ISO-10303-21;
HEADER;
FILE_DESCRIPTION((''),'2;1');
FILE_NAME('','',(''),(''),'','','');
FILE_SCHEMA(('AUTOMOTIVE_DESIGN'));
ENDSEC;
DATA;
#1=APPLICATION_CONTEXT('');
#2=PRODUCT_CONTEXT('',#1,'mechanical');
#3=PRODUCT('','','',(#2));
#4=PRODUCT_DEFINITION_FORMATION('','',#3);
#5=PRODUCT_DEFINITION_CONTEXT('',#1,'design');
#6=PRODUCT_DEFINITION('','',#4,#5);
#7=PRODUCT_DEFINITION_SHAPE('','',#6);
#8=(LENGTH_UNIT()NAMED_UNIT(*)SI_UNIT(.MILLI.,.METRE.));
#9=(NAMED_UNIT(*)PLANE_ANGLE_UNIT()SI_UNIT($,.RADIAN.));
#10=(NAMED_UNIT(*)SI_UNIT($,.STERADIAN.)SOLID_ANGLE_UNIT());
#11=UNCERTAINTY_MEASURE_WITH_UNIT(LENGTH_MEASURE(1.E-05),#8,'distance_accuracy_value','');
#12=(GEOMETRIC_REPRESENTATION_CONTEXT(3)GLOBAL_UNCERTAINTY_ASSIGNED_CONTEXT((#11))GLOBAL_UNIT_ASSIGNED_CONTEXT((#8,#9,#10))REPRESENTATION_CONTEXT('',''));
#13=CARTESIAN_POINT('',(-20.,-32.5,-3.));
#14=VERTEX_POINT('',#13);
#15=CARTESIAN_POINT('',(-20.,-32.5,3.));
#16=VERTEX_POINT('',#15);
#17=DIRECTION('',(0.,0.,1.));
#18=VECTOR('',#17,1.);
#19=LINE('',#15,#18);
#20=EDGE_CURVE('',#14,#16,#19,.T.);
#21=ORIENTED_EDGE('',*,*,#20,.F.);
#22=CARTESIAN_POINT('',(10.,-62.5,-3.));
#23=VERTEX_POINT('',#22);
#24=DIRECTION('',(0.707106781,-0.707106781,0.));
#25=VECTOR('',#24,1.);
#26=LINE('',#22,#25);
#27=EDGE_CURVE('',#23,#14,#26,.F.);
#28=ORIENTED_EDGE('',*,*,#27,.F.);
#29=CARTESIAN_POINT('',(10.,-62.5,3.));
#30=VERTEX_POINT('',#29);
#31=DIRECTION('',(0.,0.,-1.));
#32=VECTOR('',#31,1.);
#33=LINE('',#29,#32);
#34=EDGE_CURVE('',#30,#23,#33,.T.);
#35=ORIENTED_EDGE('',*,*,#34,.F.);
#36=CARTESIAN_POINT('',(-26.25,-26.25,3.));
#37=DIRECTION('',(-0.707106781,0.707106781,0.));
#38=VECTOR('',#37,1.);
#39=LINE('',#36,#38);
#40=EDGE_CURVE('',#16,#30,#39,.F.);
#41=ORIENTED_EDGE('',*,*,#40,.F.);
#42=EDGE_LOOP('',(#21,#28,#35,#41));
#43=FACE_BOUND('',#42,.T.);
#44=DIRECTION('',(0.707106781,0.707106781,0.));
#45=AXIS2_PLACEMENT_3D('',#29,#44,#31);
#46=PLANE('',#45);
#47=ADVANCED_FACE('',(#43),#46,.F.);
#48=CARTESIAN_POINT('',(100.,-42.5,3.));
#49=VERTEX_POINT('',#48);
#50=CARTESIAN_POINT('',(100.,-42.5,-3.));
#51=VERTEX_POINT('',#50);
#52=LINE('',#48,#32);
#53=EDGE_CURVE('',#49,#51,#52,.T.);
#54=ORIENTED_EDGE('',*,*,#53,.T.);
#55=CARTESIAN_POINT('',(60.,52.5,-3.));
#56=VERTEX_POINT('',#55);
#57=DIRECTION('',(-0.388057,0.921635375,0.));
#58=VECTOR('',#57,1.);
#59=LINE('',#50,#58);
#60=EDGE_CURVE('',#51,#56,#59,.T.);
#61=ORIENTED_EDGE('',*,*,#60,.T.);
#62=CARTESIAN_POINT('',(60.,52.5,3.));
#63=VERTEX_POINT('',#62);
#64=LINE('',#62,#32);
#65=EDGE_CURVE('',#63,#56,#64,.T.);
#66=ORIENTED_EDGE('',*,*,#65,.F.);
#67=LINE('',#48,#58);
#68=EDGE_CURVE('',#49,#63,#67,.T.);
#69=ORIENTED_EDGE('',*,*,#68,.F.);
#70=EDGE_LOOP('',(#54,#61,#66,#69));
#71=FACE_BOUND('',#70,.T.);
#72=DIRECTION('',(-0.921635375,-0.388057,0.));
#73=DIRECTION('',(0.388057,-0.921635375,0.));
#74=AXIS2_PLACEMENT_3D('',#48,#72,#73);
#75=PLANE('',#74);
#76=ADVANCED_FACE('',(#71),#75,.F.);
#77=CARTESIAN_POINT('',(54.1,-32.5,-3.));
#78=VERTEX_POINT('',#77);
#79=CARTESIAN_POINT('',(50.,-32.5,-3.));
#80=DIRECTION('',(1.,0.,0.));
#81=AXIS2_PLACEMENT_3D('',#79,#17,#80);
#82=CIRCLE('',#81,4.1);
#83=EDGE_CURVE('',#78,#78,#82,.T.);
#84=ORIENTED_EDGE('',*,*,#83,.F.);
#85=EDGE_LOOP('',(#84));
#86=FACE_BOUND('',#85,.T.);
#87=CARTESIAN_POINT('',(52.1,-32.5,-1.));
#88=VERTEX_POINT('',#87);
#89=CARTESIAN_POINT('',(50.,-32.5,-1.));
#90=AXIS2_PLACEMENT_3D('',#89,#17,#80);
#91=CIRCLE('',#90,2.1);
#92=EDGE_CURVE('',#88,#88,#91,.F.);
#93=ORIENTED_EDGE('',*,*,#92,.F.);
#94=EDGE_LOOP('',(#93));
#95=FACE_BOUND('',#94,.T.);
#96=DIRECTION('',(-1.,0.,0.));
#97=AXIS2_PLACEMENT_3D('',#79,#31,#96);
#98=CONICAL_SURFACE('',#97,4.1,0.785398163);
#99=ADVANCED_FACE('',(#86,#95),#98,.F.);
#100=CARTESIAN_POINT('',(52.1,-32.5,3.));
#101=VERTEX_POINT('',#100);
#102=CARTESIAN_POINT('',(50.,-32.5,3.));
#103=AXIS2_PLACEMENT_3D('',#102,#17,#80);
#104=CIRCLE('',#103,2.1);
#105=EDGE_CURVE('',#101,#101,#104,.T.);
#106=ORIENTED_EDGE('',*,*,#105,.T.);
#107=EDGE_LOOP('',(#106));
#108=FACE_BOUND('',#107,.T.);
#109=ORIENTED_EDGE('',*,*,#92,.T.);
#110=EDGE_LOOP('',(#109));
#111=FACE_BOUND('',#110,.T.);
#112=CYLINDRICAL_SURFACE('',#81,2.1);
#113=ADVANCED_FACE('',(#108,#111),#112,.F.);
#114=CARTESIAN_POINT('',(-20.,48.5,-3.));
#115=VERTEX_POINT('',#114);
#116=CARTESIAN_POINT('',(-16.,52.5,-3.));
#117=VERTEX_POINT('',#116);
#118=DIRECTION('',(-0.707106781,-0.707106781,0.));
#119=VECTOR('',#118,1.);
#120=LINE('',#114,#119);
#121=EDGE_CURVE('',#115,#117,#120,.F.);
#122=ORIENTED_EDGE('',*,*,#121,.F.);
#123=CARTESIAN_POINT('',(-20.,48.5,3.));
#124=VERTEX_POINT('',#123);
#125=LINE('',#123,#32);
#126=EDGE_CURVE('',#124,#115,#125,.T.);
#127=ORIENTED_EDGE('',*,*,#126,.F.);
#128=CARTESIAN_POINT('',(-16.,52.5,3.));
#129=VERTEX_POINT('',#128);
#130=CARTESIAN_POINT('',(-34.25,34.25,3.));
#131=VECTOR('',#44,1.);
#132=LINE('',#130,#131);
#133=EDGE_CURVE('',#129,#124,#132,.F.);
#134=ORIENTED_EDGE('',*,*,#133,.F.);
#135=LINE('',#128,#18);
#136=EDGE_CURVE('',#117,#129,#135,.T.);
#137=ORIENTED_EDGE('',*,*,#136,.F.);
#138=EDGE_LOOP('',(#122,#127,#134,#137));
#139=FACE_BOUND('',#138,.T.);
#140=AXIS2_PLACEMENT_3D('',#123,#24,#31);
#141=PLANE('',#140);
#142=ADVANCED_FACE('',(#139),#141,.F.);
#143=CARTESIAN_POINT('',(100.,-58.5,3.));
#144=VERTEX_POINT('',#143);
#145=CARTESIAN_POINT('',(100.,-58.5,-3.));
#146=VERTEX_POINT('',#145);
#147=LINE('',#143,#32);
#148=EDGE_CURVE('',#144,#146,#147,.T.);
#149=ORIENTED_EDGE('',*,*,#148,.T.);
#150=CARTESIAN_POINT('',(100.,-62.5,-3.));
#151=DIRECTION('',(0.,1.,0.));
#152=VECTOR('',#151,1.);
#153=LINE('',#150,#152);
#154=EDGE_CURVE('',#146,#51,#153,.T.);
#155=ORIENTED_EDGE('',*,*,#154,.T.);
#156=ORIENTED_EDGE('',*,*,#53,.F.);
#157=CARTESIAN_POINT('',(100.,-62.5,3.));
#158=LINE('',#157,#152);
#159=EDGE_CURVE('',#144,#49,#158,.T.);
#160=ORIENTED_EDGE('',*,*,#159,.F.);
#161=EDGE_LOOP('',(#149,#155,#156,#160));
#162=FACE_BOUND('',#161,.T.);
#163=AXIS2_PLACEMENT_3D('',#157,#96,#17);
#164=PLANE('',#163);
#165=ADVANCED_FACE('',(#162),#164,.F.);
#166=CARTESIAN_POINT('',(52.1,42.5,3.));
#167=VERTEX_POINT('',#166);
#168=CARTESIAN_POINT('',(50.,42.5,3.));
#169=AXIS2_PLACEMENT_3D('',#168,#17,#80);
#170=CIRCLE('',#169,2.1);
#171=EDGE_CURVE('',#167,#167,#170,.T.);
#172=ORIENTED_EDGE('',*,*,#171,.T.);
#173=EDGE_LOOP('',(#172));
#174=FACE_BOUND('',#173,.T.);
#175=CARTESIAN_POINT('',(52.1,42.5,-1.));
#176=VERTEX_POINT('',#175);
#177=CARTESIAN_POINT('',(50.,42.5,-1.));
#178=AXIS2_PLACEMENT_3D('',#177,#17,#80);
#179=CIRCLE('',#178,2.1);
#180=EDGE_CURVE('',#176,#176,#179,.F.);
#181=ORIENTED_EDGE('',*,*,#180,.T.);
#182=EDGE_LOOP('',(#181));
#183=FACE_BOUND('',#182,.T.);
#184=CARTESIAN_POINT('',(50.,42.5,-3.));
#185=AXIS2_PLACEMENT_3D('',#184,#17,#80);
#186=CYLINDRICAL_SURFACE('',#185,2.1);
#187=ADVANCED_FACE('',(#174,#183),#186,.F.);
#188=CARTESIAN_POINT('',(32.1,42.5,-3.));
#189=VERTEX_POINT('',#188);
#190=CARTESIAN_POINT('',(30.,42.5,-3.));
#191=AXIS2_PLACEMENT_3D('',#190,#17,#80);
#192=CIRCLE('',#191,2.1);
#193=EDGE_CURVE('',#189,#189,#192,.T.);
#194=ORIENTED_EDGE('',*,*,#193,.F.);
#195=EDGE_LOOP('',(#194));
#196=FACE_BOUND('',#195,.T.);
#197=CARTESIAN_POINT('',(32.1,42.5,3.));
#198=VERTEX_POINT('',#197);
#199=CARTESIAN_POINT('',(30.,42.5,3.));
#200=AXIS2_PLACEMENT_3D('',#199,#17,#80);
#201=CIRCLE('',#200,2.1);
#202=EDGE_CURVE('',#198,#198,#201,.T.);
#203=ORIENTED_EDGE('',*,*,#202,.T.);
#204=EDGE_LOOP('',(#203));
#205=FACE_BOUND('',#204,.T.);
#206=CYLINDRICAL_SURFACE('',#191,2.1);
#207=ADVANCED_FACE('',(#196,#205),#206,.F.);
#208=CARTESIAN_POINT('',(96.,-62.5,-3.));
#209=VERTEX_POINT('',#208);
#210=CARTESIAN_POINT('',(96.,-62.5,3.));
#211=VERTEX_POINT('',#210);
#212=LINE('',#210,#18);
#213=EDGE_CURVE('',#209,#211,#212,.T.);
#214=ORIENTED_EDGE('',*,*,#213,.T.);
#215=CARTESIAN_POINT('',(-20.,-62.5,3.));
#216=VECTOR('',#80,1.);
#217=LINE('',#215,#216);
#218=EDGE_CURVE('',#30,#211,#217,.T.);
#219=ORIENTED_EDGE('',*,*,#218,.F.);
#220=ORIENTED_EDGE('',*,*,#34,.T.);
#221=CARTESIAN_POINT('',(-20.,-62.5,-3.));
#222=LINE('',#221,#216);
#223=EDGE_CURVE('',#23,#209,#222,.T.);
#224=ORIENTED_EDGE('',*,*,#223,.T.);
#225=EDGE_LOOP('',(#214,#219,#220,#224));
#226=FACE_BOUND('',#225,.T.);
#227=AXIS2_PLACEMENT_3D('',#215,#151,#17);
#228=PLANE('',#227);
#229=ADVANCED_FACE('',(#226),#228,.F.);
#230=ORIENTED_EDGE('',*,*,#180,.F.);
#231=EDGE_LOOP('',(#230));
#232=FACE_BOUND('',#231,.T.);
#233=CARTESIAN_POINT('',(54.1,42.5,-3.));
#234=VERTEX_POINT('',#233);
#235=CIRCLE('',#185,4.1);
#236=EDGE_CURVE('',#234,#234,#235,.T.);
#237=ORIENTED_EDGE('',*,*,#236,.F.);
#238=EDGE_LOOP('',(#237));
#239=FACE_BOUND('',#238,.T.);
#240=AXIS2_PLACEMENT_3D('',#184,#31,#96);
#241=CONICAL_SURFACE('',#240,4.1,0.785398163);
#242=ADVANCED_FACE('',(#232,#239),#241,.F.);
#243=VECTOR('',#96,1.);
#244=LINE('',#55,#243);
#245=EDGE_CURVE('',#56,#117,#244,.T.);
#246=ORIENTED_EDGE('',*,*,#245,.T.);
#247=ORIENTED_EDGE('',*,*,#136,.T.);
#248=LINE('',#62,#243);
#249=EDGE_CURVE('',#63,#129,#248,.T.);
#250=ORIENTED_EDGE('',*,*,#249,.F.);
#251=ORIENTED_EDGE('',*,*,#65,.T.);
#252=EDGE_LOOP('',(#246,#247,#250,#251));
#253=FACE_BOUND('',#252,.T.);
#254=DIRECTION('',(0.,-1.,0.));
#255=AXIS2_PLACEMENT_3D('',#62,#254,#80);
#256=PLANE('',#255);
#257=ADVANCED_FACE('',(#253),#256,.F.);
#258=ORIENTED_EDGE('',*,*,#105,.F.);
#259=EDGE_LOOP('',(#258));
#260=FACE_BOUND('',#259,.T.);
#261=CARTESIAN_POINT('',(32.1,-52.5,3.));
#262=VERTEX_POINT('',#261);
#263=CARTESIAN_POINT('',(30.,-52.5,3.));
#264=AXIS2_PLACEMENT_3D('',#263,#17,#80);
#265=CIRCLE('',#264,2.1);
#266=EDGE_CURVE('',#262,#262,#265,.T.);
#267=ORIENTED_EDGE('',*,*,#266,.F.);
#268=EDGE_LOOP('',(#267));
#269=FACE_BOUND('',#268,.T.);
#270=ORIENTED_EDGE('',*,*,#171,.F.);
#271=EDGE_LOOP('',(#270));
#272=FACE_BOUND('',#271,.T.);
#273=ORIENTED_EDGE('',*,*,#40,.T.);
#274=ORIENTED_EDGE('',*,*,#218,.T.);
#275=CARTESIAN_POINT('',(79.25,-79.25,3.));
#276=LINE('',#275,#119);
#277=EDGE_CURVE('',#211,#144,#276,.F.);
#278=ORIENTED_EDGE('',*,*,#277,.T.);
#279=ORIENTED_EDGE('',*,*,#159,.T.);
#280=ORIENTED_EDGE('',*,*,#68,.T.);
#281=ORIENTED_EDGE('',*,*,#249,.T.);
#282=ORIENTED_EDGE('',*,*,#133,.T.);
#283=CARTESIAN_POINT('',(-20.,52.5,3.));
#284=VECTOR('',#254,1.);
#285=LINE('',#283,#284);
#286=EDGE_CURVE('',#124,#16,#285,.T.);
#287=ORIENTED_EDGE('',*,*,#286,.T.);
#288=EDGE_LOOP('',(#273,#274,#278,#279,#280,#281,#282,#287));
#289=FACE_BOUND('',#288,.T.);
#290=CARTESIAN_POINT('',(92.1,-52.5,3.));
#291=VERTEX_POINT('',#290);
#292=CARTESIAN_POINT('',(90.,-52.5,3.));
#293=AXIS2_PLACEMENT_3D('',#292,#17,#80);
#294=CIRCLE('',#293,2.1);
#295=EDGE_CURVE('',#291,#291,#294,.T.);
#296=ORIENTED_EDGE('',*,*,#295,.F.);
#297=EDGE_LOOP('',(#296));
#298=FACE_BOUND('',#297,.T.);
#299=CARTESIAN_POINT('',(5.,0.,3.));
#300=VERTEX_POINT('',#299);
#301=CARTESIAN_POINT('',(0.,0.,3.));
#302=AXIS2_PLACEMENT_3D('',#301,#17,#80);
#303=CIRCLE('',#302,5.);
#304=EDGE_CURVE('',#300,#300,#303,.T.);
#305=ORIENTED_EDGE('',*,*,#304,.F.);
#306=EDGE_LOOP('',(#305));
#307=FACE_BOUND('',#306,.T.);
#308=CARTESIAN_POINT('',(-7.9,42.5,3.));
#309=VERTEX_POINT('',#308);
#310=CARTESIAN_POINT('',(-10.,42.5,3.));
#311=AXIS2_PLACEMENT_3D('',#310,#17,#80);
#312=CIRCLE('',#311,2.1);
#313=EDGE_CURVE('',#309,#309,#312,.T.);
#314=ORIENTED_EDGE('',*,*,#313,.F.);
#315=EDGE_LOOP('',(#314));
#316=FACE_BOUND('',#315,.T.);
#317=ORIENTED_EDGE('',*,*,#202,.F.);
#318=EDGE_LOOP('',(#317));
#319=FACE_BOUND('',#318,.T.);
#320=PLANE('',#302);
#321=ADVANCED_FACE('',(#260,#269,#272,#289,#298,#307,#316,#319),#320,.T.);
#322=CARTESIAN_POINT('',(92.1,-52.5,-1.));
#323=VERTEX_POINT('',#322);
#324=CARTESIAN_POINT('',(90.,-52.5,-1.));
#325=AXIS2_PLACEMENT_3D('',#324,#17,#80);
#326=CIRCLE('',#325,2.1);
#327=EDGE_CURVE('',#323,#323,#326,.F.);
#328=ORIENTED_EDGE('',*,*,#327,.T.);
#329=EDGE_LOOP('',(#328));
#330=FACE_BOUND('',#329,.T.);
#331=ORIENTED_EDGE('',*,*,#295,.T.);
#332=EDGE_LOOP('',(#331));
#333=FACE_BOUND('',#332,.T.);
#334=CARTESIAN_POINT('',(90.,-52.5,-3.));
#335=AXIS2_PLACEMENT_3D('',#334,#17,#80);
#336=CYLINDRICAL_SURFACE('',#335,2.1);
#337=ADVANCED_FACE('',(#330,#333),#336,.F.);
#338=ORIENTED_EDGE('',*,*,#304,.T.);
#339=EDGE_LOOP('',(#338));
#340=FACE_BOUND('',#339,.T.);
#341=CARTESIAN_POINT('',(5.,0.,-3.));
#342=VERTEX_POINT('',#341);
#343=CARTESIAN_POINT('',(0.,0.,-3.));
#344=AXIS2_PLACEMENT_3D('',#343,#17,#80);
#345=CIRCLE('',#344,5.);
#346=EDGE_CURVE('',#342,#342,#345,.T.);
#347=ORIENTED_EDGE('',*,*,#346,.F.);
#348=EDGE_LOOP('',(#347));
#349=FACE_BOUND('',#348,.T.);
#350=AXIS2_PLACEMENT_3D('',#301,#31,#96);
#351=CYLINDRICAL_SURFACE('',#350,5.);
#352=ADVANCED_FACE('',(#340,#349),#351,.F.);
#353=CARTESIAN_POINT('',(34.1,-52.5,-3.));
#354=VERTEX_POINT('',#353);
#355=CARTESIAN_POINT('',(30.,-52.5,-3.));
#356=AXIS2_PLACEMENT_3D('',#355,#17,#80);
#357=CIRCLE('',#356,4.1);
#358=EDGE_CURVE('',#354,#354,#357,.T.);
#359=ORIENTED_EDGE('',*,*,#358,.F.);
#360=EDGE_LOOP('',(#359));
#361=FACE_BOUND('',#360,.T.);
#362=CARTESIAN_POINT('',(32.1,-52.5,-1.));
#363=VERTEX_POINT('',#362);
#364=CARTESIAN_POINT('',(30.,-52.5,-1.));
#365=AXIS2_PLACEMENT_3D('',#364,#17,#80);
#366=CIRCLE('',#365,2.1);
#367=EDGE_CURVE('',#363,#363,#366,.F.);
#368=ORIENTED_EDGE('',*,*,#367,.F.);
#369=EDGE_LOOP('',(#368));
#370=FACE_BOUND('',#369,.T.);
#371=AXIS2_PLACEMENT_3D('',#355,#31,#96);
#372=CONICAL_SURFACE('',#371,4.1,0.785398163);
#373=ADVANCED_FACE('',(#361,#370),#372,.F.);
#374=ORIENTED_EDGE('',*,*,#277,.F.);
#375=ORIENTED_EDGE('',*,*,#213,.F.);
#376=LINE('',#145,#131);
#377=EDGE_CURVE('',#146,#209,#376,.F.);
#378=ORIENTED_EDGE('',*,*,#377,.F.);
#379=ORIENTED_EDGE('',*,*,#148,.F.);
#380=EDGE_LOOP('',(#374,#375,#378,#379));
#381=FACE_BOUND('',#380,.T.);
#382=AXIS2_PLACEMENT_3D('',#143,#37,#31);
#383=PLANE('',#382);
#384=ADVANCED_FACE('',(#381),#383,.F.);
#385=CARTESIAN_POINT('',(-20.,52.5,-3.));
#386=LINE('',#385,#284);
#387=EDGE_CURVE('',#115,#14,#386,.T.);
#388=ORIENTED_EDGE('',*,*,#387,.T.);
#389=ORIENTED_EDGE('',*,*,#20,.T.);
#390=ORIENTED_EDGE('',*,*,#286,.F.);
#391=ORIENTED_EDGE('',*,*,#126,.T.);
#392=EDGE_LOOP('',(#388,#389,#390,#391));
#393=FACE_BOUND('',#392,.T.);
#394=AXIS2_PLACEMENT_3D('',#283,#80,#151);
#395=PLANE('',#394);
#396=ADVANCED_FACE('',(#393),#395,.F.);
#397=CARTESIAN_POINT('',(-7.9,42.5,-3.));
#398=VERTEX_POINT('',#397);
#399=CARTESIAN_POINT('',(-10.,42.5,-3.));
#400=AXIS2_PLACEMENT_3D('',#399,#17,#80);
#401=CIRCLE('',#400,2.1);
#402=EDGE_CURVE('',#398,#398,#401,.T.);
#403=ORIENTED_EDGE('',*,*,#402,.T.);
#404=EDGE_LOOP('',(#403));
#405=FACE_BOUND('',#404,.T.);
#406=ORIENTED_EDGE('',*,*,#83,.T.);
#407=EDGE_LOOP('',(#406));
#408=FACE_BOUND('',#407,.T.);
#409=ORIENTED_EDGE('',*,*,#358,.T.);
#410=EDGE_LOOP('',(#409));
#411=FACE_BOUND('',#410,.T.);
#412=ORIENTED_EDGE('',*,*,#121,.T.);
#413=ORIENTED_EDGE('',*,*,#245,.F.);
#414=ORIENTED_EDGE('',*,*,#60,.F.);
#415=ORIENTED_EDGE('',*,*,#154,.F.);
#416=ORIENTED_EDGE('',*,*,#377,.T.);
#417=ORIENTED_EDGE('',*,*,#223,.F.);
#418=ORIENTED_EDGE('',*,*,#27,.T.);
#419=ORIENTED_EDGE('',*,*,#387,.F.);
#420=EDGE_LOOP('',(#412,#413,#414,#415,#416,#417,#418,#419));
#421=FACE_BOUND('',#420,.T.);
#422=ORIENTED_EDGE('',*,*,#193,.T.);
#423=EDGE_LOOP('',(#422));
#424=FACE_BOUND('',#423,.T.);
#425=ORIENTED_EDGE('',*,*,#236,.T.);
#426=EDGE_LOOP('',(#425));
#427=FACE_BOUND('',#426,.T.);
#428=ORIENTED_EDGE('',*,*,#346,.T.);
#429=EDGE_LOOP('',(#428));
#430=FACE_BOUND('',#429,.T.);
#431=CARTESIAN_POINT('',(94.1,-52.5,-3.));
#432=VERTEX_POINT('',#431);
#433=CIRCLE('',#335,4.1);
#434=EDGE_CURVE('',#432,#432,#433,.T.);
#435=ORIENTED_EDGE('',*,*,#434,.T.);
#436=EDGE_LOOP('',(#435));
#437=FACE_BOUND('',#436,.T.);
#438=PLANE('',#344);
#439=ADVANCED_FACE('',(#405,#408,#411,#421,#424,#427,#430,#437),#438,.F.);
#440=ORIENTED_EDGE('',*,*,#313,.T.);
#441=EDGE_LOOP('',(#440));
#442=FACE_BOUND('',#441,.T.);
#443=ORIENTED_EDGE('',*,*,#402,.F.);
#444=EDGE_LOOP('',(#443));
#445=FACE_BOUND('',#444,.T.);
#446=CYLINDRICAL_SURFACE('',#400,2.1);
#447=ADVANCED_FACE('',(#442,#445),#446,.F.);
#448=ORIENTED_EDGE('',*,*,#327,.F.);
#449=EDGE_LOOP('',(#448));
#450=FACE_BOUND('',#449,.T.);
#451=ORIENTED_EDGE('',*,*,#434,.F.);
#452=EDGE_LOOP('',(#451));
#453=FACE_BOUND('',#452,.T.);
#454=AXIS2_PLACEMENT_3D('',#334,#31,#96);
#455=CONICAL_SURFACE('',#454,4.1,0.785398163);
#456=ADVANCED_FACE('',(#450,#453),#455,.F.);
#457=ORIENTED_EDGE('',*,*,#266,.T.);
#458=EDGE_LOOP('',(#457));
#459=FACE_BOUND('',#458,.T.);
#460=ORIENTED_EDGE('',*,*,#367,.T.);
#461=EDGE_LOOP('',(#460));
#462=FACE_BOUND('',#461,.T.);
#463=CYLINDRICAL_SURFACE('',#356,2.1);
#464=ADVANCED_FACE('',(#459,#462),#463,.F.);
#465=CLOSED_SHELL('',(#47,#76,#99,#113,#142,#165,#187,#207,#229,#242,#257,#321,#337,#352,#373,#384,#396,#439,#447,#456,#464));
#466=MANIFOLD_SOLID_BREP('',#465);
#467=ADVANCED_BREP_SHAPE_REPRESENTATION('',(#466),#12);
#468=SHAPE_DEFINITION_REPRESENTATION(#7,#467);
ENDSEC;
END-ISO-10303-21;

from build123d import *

# Parameters (mm, degrees)
SKETCH_1_R          = 5
EXTRUDE_1_DEPTH     = 3
SKETCH_2_R          = 2.1
CUT_EXTRUDE_1_DEPTH = 119.077305186
CHAMFER_1_SIZE      = 30
CHAMFER_3_SIZE      = 4
CHAMFER_2_SIZE      = 2


with BuildPart() as part:
    # 草图1 → 凸台-拉伸1 (new, symmetric)
    with BuildSketch(Plane.XY):
        Polygon((-20, 52.5), (-20, -62.5), (100, -62.5), (100, -42.5), (60, 52.5), align=None)
        Circle(SKETCH_1_R, mode=Mode.SUBTRACT)
    extrude(amount=EXTRUDE_1_DEPTH, both=True)

    # 草图2 → 切除-拉伸1 (cut, through all)
    with BuildSketch(Plane.XY.offset(3)):
        with Locations((-10, 42.5)):
            Circle(SKETCH_2_R)
        with Locations((30, 42.5)):
            Circle(SKETCH_2_R)
        with Locations((50, 42.5)):
            Circle(SKETCH_2_R)
        with Locations((50, -32.5)):
            Circle(SKETCH_2_R)
        with Locations((30, -52.5)):
            Circle(SKETCH_2_R)
        with Locations((90, -52.5)):
            Circle(SKETCH_2_R)
    extrude(amount=-CUT_EXTRUDE_1_DEPTH, mode=Mode.SUBTRACT)

    # 倒角1
    chamfer_1_edges = [part.edges().sort_by_distance(p)[0] for p in [
        (-20, -62.5, 0),
    ]]
    chamfer(chamfer_1_edges, length=CHAMFER_1_SIZE)

    # 倒角3
    chamfer_3_edges = [part.edges().sort_by_distance(p)[0] for p in [
        (100, -62.5, 0),
        (-20, 52.5, 0),
    ]]
    chamfer(chamfer_3_edges, length=CHAMFER_3_SIZE)

    # 倒角2
    chamfer_2_edges = [part.edges().sort_by_distance(p)[0] for p in [
        (47.9, 42.5, -3),
        (47.9, -32.5, -3),
        (27.9, -52.5, -3),
        (87.9, -52.5, -3),
    ]]
    chamfer(chamfer_2_edges, length=CHAMFER_2_SIZE)


solid = part.part
